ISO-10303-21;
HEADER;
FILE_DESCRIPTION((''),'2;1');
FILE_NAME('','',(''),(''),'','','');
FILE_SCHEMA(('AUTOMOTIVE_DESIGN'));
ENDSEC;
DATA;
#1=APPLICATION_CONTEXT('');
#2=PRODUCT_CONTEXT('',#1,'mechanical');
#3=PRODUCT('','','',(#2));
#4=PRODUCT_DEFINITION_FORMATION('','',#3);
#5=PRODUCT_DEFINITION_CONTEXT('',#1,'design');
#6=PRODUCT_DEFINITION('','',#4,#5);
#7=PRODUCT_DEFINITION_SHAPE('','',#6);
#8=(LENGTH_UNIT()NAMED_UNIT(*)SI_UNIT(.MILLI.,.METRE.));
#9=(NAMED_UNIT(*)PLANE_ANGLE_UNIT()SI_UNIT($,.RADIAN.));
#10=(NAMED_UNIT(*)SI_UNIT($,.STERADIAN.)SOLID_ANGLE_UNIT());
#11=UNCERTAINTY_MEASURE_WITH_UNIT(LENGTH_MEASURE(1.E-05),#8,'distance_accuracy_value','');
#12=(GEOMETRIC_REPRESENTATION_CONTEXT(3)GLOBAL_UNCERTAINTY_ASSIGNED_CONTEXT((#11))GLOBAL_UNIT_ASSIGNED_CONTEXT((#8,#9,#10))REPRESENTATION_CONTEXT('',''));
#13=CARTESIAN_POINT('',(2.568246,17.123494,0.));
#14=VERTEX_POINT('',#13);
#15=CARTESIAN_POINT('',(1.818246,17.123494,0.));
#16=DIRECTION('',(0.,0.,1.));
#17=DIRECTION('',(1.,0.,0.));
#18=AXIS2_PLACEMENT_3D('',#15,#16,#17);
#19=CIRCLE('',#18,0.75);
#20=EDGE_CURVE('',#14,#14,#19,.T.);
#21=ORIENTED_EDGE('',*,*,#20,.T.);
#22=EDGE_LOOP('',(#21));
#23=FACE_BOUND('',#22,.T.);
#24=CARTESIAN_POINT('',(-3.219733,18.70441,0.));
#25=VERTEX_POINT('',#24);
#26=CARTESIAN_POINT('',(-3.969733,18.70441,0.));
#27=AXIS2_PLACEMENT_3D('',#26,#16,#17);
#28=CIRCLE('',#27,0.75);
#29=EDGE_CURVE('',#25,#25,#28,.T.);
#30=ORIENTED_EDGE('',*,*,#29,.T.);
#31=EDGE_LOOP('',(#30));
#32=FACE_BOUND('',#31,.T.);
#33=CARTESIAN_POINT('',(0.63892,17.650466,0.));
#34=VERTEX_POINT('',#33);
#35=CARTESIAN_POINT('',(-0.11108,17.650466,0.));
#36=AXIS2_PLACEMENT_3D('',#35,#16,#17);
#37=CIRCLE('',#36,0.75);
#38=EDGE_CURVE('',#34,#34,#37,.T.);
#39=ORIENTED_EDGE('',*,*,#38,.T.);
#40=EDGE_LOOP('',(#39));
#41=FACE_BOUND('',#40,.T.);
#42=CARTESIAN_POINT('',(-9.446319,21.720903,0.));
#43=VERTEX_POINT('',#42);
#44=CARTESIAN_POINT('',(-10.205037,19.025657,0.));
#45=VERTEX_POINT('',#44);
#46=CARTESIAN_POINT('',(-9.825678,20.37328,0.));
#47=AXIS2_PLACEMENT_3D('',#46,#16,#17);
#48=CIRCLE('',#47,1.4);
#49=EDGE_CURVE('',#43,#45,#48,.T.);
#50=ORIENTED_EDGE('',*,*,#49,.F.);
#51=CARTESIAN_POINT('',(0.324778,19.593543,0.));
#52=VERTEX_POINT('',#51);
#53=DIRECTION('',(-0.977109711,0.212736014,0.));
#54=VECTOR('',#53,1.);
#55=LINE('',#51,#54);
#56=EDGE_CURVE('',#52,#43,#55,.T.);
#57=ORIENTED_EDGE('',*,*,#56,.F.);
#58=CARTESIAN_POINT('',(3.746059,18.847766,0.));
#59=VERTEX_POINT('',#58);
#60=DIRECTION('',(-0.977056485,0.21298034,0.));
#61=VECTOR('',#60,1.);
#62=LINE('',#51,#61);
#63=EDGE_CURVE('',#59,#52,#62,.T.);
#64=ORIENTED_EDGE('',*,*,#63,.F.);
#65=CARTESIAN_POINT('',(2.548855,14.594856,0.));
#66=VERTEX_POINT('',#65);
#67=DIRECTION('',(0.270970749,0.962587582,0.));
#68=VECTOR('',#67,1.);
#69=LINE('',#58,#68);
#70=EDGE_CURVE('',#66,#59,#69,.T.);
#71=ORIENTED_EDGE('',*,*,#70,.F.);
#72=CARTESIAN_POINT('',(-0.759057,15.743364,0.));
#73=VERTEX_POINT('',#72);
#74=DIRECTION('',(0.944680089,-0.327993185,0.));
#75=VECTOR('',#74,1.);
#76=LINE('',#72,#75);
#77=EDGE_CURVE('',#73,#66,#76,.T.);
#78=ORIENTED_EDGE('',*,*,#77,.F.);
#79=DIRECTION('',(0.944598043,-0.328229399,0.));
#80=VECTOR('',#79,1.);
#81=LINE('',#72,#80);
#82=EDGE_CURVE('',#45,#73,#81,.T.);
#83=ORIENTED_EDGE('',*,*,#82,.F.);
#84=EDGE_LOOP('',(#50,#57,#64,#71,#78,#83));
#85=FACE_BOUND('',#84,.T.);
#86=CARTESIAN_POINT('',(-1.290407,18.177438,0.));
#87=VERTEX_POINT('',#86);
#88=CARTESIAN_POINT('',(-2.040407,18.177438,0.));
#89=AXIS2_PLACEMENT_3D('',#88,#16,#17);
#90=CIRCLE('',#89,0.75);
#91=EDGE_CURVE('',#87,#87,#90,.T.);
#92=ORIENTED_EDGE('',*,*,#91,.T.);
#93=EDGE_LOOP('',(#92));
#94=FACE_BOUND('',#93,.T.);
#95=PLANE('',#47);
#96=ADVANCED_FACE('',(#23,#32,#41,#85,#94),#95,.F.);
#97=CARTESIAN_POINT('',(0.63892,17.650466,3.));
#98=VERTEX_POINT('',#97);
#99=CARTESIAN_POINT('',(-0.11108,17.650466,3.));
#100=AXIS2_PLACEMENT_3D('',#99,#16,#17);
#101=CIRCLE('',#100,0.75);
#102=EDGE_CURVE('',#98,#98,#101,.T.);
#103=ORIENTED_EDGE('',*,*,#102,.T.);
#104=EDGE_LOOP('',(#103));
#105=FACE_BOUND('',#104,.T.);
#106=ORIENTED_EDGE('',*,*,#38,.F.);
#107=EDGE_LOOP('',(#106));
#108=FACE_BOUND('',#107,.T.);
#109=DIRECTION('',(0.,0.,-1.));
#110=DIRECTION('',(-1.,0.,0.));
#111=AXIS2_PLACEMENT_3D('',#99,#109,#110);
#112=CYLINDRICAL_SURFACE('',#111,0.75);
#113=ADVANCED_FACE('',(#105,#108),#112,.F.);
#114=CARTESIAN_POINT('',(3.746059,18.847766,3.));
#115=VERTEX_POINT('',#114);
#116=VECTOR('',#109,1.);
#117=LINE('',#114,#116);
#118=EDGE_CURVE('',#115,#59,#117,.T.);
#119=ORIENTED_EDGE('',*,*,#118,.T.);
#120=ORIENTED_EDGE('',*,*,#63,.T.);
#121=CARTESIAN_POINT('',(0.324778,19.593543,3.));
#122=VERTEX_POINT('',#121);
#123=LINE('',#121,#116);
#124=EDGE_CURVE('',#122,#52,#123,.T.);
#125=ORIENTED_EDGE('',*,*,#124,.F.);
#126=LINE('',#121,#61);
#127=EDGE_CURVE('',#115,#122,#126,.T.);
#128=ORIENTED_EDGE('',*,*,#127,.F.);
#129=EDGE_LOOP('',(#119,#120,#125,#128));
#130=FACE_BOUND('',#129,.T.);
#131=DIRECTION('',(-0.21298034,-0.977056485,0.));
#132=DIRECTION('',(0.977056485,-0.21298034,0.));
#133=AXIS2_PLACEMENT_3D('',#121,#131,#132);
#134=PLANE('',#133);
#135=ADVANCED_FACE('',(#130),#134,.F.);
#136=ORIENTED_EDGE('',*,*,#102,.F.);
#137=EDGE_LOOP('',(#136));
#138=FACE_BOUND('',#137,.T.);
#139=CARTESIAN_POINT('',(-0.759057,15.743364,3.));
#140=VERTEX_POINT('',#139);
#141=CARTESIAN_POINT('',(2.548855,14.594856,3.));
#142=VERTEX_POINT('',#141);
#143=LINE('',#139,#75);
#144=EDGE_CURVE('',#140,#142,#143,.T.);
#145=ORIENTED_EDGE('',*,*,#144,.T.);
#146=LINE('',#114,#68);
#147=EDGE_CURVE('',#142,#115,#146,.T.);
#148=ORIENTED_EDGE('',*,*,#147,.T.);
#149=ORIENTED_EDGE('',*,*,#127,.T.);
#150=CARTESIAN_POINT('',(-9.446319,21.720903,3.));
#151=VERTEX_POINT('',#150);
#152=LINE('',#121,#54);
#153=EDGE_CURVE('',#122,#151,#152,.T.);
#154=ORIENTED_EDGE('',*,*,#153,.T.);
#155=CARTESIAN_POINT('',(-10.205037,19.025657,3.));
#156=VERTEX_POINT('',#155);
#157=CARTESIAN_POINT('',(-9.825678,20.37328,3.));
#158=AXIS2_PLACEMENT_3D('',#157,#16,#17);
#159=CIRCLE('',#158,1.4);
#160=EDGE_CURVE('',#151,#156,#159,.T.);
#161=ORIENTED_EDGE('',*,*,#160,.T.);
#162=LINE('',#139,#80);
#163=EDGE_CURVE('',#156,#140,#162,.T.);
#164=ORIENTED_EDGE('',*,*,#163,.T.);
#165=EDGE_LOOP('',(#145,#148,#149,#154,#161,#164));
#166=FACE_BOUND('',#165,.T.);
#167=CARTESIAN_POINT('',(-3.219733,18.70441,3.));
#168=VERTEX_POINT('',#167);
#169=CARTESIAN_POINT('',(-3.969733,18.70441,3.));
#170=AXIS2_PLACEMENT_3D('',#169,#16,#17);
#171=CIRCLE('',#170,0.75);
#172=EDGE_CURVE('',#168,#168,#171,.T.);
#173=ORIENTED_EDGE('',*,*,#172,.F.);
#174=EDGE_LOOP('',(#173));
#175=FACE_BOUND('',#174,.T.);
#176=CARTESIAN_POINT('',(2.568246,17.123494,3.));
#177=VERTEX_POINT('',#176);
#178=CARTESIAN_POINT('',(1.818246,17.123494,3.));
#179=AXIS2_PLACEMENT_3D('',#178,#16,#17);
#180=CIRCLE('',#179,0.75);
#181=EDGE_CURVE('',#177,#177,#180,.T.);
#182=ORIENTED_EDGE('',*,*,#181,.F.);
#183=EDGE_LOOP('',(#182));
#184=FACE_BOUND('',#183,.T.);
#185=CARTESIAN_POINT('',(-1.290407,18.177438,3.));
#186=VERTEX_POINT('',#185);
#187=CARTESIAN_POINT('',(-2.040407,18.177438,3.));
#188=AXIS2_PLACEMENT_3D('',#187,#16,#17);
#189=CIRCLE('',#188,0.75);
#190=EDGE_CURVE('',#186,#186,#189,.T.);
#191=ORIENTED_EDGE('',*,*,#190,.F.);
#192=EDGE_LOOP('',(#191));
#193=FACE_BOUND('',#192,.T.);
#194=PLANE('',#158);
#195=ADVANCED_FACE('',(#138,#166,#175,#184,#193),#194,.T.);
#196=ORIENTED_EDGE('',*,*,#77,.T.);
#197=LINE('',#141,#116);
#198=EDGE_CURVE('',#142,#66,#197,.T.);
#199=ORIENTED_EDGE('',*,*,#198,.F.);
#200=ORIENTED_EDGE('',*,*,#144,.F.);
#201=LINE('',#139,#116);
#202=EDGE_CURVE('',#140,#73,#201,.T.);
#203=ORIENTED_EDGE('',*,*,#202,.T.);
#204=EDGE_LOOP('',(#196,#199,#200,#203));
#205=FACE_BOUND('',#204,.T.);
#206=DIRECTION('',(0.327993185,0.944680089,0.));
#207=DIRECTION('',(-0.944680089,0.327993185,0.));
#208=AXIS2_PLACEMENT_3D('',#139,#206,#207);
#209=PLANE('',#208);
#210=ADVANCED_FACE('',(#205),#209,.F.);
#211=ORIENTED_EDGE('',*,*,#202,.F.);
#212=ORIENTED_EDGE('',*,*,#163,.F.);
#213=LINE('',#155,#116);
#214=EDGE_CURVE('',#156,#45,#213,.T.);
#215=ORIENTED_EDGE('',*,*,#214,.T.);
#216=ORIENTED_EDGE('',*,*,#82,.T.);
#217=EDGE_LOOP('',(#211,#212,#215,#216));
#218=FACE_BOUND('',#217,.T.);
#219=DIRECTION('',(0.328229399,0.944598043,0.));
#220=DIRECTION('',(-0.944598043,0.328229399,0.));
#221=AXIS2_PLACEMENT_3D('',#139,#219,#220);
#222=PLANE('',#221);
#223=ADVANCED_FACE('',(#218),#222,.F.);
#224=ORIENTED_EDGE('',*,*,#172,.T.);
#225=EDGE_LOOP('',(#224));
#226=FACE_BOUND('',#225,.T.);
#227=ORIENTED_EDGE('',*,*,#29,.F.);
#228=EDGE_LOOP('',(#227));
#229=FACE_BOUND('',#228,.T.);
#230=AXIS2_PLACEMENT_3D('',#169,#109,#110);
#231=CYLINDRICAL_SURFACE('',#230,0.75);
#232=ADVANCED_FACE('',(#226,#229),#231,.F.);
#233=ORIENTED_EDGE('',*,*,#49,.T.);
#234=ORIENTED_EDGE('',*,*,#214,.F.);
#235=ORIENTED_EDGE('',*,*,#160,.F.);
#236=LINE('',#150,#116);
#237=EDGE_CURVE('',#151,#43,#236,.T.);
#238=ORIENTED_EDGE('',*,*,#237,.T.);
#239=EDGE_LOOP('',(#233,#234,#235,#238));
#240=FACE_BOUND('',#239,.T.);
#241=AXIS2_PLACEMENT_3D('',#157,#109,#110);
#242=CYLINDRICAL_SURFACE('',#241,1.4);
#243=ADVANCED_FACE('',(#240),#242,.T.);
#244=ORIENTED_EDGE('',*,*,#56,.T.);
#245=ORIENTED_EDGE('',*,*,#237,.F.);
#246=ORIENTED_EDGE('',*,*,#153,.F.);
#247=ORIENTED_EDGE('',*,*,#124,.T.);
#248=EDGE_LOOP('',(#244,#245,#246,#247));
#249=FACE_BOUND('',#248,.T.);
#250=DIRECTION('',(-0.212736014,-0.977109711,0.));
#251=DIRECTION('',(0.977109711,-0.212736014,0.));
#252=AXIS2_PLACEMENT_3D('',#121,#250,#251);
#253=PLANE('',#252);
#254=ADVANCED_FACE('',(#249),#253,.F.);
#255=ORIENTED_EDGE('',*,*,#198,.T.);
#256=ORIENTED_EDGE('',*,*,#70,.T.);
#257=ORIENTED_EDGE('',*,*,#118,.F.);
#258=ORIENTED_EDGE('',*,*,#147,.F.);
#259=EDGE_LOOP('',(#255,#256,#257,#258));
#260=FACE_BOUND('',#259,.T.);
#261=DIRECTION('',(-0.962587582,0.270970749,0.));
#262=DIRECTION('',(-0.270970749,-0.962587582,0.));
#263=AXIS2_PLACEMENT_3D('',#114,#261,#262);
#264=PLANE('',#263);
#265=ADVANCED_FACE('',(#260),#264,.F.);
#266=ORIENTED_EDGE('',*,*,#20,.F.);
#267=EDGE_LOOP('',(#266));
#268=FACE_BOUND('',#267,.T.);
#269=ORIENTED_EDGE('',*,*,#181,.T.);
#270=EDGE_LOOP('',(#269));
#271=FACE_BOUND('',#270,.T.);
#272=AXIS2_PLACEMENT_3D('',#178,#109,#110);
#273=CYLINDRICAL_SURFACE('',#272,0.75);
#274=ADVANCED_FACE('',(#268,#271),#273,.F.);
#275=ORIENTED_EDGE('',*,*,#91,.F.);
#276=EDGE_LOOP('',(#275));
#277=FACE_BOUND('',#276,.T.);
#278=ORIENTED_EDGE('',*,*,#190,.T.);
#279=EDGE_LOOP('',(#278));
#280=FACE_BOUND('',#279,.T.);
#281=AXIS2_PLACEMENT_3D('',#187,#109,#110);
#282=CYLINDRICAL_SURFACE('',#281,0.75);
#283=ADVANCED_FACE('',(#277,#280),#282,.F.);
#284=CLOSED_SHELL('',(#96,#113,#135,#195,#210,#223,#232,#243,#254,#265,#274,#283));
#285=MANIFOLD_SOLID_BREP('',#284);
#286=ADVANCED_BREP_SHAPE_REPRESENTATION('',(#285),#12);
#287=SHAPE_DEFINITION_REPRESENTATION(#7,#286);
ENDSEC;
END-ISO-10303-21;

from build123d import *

# Parameters (mm, degrees)
SKETCH1_R           = 0.75
BOSS_EXTRUDE1_DEPTH = 3


with BuildPart() as part:
    # Sketch1 → Boss-Extrude1 (new body)
    with BuildSketch(Plane.XY):
        with BuildLine():
            Line((-0.759056855, 15.743363502), (-10.20503728, 19.025657487))
            ThreePointArc((-10.20503728, 19.025657487), (-11.173300847, 20.75263915), (-9.446319184, 21.720902717))
            Line((-9.446319184, 21.720902717), (0.32477793, 19.593542575))
            Line((0.32477793, 19.593542575), (3.74605929, 18.847766175))
            Line((3.74605929, 18.847766175), (2.548854641, 14.594855726))
            Line((2.548854641, 14.594855726), (-0.759056855, 15.743363502))
        make_face()
        with Locations((-3.96973296, 18.704410315)):
            Circle(SKETCH1_R, mode=Mode.SUBTRACT)
        with Locations((-2.040406529, 18.177438286)):
            Circle(SKETCH1_R, mode=Mode.SUBTRACT)
        with Locations((-0.111080097, 17.650466256)):
            Circle(SKETCH1_R, mode=Mode.SUBTRACT)
        with Locations((1.818246335, 17.123494227)):
            Circle(SKETCH1_R, mode=Mode.SUBTRACT)
    extrude(amount=BOSS_EXTRUDE1_DEPTH)


solid = part.part
